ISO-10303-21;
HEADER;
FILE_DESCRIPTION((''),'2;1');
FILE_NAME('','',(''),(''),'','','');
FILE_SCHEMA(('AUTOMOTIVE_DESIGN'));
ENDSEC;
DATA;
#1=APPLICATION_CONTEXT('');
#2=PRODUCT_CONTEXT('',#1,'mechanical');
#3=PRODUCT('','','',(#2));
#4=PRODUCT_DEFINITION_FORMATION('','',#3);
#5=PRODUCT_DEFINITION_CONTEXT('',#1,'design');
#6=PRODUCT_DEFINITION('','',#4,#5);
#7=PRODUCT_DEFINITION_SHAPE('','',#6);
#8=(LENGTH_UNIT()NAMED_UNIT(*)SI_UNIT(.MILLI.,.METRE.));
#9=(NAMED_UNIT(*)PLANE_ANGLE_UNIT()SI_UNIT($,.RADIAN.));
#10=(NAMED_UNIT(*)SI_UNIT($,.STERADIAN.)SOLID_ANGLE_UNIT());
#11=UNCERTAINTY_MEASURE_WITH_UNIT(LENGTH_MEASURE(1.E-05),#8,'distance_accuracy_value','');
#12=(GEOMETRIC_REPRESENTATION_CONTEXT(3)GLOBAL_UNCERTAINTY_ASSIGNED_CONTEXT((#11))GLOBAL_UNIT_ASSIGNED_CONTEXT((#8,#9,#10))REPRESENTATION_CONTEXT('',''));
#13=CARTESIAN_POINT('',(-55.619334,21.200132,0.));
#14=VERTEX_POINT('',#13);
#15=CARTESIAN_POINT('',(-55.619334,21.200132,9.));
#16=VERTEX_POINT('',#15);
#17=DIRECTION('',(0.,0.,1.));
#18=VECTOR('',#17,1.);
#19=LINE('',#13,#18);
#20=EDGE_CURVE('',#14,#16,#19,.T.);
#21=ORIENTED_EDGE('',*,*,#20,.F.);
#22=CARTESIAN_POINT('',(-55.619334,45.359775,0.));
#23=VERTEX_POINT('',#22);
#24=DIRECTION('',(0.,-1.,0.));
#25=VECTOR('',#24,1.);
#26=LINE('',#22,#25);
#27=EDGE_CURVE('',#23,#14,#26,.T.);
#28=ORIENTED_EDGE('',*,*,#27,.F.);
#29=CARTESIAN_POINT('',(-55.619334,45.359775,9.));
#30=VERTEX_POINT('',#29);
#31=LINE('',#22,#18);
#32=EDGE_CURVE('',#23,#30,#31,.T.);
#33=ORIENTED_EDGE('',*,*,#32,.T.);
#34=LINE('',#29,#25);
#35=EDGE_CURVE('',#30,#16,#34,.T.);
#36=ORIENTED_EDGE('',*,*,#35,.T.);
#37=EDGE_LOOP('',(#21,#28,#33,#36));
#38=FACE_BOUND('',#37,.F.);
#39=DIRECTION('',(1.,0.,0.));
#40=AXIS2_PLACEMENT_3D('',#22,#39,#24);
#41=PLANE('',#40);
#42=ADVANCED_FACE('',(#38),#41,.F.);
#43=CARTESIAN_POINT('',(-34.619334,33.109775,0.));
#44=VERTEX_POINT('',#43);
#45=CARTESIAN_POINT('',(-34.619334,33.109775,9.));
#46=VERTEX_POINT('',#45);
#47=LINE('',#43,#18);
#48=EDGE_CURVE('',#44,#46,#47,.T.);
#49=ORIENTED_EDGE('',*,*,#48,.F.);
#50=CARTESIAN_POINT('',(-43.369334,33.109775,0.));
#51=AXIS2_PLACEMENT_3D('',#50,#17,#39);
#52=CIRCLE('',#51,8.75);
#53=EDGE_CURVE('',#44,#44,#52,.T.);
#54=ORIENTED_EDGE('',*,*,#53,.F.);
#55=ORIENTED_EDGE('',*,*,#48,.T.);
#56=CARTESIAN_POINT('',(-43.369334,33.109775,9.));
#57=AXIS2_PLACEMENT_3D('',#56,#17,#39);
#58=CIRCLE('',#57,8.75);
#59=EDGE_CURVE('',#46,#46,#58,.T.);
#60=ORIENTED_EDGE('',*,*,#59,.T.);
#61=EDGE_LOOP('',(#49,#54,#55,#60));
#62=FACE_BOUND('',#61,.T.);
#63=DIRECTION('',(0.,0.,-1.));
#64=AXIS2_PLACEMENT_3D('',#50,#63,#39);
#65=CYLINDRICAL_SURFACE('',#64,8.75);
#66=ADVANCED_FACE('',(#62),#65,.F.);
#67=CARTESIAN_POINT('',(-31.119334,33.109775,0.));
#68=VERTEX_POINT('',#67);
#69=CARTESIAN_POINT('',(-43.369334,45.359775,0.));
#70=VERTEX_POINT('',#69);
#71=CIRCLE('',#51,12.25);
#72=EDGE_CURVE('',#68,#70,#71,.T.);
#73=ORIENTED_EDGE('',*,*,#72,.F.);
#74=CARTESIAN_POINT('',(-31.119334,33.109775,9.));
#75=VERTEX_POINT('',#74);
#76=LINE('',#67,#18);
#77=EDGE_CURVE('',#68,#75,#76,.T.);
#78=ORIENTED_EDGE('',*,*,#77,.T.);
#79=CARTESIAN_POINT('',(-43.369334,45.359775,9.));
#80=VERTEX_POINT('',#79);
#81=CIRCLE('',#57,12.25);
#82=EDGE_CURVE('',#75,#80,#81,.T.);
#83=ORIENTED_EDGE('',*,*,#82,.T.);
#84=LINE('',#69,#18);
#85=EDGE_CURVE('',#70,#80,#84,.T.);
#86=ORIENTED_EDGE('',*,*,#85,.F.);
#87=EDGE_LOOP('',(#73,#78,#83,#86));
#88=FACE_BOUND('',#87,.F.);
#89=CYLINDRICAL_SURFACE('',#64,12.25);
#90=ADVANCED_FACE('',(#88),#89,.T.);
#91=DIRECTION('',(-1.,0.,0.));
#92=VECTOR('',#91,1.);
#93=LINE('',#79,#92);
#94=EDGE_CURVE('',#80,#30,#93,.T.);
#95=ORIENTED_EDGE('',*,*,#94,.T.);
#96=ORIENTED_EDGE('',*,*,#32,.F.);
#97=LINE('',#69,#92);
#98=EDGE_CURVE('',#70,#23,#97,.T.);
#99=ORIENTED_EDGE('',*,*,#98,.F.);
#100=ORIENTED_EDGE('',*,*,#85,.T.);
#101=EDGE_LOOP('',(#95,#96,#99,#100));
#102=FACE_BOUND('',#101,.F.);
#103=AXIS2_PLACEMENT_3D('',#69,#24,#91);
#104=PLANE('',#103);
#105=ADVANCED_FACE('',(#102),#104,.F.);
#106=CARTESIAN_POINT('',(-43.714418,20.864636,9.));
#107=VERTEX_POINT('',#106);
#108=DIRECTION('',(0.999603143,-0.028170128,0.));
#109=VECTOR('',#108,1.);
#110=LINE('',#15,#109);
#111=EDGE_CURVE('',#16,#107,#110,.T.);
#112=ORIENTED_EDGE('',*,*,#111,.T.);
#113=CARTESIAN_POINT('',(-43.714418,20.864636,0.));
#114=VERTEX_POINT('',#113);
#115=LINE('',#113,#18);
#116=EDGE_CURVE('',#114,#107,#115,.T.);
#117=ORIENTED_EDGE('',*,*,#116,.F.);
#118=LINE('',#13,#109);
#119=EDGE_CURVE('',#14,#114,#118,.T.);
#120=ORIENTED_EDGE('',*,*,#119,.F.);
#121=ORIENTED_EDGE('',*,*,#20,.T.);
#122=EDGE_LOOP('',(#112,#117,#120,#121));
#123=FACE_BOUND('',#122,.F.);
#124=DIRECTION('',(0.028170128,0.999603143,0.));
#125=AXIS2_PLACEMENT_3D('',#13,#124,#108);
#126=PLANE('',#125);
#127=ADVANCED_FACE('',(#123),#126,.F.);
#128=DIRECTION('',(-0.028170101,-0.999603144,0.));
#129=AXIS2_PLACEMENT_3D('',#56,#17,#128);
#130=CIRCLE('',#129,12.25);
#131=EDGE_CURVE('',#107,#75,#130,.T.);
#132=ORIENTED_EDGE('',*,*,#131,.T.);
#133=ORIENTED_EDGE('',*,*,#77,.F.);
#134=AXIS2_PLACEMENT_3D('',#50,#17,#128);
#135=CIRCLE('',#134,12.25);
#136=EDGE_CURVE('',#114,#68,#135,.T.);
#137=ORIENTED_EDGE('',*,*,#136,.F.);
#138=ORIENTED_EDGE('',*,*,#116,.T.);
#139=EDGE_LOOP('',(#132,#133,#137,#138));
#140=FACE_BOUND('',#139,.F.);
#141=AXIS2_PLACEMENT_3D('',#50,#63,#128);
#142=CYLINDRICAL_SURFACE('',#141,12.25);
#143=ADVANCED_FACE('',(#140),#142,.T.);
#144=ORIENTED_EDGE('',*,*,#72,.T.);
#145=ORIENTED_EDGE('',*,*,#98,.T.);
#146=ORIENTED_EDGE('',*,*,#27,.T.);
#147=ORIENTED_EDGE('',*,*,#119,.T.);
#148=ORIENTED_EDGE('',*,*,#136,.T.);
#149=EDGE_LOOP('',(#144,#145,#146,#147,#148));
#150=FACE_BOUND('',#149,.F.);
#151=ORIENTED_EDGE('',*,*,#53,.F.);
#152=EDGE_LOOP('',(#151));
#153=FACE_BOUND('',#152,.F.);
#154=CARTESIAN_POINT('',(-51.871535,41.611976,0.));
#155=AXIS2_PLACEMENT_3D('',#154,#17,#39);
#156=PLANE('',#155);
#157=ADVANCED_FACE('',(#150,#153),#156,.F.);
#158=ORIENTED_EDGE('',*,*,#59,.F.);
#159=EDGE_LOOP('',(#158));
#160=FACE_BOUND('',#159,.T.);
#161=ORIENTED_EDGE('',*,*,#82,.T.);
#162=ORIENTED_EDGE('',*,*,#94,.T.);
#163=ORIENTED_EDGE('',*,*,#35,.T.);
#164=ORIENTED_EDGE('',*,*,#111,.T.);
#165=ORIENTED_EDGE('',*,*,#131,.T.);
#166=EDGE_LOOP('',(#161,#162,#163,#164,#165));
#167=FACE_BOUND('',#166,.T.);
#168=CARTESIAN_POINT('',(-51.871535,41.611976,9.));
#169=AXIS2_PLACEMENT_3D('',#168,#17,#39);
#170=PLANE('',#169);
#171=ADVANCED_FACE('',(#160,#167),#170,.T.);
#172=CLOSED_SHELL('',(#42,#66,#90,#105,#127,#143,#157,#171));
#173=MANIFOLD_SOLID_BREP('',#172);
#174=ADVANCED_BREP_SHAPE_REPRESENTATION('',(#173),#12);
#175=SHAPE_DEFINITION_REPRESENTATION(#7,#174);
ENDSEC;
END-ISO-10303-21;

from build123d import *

# Parameters (mm, degrees)
F0_R     = 8.75
F1_DEPTH = 9


with BuildPart() as f1:
    # F0 (on Top) → F1 (new body)
    with BuildSketch(Plane.XY):
        with BuildLine():
            ThreePointArc((-55.6193343453, 33.109774836), (-52.0313924148, 41.7718329055), (-43.3693343453, 45.359774836))
            Line((-43.3693343453, 45.359774836), (-55.6193343453, 45.359774836))
            Line((-55.6193343453, 45.359774836), (-55.6193343453, 33.109774836))
        make_face()
        with BuildLine():
            Line((-55.6193343453, 21.200132486), (-43.7144180841, 20.8646363225))
            ThreePointArc((-43.7144180841, 20.8646363225), (-52.152550607, 24.570593839), (-55.6193343453, 33.109774836))
            Line((-55.6193343453, 33.109774836), (-55.6193343453, 21.200132486))
        make_face()
        with BuildLine():
            ThreePointArc((-43.7144180841, 20.8646363225), (-34.8301533483, 24.3265585742), (-31.1193343453, 33.109774836))
            ThreePointArc((-31.1193343453, 33.109774836), (-34.7072762757, 41.7718329055), (-43.3693343453, 45.359774836))
            ThreePointArc((-43.3693343453, 45.359774836), (-52.0313924148, 41.7718329055), (-55.6193343453, 33.109774836))
            ThreePointArc((-55.6193343453, 33.109774836), (-52.152550607, 24.570593839), (-43.7144180841, 20.8646363225))
        make_face()
        with Locations((-43.3693343453, 33.109774836)):
            Circle(F0_R, mode=Mode.SUBTRACT)
    extrude(amount=F1_DEPTH)


solid = f1.part
